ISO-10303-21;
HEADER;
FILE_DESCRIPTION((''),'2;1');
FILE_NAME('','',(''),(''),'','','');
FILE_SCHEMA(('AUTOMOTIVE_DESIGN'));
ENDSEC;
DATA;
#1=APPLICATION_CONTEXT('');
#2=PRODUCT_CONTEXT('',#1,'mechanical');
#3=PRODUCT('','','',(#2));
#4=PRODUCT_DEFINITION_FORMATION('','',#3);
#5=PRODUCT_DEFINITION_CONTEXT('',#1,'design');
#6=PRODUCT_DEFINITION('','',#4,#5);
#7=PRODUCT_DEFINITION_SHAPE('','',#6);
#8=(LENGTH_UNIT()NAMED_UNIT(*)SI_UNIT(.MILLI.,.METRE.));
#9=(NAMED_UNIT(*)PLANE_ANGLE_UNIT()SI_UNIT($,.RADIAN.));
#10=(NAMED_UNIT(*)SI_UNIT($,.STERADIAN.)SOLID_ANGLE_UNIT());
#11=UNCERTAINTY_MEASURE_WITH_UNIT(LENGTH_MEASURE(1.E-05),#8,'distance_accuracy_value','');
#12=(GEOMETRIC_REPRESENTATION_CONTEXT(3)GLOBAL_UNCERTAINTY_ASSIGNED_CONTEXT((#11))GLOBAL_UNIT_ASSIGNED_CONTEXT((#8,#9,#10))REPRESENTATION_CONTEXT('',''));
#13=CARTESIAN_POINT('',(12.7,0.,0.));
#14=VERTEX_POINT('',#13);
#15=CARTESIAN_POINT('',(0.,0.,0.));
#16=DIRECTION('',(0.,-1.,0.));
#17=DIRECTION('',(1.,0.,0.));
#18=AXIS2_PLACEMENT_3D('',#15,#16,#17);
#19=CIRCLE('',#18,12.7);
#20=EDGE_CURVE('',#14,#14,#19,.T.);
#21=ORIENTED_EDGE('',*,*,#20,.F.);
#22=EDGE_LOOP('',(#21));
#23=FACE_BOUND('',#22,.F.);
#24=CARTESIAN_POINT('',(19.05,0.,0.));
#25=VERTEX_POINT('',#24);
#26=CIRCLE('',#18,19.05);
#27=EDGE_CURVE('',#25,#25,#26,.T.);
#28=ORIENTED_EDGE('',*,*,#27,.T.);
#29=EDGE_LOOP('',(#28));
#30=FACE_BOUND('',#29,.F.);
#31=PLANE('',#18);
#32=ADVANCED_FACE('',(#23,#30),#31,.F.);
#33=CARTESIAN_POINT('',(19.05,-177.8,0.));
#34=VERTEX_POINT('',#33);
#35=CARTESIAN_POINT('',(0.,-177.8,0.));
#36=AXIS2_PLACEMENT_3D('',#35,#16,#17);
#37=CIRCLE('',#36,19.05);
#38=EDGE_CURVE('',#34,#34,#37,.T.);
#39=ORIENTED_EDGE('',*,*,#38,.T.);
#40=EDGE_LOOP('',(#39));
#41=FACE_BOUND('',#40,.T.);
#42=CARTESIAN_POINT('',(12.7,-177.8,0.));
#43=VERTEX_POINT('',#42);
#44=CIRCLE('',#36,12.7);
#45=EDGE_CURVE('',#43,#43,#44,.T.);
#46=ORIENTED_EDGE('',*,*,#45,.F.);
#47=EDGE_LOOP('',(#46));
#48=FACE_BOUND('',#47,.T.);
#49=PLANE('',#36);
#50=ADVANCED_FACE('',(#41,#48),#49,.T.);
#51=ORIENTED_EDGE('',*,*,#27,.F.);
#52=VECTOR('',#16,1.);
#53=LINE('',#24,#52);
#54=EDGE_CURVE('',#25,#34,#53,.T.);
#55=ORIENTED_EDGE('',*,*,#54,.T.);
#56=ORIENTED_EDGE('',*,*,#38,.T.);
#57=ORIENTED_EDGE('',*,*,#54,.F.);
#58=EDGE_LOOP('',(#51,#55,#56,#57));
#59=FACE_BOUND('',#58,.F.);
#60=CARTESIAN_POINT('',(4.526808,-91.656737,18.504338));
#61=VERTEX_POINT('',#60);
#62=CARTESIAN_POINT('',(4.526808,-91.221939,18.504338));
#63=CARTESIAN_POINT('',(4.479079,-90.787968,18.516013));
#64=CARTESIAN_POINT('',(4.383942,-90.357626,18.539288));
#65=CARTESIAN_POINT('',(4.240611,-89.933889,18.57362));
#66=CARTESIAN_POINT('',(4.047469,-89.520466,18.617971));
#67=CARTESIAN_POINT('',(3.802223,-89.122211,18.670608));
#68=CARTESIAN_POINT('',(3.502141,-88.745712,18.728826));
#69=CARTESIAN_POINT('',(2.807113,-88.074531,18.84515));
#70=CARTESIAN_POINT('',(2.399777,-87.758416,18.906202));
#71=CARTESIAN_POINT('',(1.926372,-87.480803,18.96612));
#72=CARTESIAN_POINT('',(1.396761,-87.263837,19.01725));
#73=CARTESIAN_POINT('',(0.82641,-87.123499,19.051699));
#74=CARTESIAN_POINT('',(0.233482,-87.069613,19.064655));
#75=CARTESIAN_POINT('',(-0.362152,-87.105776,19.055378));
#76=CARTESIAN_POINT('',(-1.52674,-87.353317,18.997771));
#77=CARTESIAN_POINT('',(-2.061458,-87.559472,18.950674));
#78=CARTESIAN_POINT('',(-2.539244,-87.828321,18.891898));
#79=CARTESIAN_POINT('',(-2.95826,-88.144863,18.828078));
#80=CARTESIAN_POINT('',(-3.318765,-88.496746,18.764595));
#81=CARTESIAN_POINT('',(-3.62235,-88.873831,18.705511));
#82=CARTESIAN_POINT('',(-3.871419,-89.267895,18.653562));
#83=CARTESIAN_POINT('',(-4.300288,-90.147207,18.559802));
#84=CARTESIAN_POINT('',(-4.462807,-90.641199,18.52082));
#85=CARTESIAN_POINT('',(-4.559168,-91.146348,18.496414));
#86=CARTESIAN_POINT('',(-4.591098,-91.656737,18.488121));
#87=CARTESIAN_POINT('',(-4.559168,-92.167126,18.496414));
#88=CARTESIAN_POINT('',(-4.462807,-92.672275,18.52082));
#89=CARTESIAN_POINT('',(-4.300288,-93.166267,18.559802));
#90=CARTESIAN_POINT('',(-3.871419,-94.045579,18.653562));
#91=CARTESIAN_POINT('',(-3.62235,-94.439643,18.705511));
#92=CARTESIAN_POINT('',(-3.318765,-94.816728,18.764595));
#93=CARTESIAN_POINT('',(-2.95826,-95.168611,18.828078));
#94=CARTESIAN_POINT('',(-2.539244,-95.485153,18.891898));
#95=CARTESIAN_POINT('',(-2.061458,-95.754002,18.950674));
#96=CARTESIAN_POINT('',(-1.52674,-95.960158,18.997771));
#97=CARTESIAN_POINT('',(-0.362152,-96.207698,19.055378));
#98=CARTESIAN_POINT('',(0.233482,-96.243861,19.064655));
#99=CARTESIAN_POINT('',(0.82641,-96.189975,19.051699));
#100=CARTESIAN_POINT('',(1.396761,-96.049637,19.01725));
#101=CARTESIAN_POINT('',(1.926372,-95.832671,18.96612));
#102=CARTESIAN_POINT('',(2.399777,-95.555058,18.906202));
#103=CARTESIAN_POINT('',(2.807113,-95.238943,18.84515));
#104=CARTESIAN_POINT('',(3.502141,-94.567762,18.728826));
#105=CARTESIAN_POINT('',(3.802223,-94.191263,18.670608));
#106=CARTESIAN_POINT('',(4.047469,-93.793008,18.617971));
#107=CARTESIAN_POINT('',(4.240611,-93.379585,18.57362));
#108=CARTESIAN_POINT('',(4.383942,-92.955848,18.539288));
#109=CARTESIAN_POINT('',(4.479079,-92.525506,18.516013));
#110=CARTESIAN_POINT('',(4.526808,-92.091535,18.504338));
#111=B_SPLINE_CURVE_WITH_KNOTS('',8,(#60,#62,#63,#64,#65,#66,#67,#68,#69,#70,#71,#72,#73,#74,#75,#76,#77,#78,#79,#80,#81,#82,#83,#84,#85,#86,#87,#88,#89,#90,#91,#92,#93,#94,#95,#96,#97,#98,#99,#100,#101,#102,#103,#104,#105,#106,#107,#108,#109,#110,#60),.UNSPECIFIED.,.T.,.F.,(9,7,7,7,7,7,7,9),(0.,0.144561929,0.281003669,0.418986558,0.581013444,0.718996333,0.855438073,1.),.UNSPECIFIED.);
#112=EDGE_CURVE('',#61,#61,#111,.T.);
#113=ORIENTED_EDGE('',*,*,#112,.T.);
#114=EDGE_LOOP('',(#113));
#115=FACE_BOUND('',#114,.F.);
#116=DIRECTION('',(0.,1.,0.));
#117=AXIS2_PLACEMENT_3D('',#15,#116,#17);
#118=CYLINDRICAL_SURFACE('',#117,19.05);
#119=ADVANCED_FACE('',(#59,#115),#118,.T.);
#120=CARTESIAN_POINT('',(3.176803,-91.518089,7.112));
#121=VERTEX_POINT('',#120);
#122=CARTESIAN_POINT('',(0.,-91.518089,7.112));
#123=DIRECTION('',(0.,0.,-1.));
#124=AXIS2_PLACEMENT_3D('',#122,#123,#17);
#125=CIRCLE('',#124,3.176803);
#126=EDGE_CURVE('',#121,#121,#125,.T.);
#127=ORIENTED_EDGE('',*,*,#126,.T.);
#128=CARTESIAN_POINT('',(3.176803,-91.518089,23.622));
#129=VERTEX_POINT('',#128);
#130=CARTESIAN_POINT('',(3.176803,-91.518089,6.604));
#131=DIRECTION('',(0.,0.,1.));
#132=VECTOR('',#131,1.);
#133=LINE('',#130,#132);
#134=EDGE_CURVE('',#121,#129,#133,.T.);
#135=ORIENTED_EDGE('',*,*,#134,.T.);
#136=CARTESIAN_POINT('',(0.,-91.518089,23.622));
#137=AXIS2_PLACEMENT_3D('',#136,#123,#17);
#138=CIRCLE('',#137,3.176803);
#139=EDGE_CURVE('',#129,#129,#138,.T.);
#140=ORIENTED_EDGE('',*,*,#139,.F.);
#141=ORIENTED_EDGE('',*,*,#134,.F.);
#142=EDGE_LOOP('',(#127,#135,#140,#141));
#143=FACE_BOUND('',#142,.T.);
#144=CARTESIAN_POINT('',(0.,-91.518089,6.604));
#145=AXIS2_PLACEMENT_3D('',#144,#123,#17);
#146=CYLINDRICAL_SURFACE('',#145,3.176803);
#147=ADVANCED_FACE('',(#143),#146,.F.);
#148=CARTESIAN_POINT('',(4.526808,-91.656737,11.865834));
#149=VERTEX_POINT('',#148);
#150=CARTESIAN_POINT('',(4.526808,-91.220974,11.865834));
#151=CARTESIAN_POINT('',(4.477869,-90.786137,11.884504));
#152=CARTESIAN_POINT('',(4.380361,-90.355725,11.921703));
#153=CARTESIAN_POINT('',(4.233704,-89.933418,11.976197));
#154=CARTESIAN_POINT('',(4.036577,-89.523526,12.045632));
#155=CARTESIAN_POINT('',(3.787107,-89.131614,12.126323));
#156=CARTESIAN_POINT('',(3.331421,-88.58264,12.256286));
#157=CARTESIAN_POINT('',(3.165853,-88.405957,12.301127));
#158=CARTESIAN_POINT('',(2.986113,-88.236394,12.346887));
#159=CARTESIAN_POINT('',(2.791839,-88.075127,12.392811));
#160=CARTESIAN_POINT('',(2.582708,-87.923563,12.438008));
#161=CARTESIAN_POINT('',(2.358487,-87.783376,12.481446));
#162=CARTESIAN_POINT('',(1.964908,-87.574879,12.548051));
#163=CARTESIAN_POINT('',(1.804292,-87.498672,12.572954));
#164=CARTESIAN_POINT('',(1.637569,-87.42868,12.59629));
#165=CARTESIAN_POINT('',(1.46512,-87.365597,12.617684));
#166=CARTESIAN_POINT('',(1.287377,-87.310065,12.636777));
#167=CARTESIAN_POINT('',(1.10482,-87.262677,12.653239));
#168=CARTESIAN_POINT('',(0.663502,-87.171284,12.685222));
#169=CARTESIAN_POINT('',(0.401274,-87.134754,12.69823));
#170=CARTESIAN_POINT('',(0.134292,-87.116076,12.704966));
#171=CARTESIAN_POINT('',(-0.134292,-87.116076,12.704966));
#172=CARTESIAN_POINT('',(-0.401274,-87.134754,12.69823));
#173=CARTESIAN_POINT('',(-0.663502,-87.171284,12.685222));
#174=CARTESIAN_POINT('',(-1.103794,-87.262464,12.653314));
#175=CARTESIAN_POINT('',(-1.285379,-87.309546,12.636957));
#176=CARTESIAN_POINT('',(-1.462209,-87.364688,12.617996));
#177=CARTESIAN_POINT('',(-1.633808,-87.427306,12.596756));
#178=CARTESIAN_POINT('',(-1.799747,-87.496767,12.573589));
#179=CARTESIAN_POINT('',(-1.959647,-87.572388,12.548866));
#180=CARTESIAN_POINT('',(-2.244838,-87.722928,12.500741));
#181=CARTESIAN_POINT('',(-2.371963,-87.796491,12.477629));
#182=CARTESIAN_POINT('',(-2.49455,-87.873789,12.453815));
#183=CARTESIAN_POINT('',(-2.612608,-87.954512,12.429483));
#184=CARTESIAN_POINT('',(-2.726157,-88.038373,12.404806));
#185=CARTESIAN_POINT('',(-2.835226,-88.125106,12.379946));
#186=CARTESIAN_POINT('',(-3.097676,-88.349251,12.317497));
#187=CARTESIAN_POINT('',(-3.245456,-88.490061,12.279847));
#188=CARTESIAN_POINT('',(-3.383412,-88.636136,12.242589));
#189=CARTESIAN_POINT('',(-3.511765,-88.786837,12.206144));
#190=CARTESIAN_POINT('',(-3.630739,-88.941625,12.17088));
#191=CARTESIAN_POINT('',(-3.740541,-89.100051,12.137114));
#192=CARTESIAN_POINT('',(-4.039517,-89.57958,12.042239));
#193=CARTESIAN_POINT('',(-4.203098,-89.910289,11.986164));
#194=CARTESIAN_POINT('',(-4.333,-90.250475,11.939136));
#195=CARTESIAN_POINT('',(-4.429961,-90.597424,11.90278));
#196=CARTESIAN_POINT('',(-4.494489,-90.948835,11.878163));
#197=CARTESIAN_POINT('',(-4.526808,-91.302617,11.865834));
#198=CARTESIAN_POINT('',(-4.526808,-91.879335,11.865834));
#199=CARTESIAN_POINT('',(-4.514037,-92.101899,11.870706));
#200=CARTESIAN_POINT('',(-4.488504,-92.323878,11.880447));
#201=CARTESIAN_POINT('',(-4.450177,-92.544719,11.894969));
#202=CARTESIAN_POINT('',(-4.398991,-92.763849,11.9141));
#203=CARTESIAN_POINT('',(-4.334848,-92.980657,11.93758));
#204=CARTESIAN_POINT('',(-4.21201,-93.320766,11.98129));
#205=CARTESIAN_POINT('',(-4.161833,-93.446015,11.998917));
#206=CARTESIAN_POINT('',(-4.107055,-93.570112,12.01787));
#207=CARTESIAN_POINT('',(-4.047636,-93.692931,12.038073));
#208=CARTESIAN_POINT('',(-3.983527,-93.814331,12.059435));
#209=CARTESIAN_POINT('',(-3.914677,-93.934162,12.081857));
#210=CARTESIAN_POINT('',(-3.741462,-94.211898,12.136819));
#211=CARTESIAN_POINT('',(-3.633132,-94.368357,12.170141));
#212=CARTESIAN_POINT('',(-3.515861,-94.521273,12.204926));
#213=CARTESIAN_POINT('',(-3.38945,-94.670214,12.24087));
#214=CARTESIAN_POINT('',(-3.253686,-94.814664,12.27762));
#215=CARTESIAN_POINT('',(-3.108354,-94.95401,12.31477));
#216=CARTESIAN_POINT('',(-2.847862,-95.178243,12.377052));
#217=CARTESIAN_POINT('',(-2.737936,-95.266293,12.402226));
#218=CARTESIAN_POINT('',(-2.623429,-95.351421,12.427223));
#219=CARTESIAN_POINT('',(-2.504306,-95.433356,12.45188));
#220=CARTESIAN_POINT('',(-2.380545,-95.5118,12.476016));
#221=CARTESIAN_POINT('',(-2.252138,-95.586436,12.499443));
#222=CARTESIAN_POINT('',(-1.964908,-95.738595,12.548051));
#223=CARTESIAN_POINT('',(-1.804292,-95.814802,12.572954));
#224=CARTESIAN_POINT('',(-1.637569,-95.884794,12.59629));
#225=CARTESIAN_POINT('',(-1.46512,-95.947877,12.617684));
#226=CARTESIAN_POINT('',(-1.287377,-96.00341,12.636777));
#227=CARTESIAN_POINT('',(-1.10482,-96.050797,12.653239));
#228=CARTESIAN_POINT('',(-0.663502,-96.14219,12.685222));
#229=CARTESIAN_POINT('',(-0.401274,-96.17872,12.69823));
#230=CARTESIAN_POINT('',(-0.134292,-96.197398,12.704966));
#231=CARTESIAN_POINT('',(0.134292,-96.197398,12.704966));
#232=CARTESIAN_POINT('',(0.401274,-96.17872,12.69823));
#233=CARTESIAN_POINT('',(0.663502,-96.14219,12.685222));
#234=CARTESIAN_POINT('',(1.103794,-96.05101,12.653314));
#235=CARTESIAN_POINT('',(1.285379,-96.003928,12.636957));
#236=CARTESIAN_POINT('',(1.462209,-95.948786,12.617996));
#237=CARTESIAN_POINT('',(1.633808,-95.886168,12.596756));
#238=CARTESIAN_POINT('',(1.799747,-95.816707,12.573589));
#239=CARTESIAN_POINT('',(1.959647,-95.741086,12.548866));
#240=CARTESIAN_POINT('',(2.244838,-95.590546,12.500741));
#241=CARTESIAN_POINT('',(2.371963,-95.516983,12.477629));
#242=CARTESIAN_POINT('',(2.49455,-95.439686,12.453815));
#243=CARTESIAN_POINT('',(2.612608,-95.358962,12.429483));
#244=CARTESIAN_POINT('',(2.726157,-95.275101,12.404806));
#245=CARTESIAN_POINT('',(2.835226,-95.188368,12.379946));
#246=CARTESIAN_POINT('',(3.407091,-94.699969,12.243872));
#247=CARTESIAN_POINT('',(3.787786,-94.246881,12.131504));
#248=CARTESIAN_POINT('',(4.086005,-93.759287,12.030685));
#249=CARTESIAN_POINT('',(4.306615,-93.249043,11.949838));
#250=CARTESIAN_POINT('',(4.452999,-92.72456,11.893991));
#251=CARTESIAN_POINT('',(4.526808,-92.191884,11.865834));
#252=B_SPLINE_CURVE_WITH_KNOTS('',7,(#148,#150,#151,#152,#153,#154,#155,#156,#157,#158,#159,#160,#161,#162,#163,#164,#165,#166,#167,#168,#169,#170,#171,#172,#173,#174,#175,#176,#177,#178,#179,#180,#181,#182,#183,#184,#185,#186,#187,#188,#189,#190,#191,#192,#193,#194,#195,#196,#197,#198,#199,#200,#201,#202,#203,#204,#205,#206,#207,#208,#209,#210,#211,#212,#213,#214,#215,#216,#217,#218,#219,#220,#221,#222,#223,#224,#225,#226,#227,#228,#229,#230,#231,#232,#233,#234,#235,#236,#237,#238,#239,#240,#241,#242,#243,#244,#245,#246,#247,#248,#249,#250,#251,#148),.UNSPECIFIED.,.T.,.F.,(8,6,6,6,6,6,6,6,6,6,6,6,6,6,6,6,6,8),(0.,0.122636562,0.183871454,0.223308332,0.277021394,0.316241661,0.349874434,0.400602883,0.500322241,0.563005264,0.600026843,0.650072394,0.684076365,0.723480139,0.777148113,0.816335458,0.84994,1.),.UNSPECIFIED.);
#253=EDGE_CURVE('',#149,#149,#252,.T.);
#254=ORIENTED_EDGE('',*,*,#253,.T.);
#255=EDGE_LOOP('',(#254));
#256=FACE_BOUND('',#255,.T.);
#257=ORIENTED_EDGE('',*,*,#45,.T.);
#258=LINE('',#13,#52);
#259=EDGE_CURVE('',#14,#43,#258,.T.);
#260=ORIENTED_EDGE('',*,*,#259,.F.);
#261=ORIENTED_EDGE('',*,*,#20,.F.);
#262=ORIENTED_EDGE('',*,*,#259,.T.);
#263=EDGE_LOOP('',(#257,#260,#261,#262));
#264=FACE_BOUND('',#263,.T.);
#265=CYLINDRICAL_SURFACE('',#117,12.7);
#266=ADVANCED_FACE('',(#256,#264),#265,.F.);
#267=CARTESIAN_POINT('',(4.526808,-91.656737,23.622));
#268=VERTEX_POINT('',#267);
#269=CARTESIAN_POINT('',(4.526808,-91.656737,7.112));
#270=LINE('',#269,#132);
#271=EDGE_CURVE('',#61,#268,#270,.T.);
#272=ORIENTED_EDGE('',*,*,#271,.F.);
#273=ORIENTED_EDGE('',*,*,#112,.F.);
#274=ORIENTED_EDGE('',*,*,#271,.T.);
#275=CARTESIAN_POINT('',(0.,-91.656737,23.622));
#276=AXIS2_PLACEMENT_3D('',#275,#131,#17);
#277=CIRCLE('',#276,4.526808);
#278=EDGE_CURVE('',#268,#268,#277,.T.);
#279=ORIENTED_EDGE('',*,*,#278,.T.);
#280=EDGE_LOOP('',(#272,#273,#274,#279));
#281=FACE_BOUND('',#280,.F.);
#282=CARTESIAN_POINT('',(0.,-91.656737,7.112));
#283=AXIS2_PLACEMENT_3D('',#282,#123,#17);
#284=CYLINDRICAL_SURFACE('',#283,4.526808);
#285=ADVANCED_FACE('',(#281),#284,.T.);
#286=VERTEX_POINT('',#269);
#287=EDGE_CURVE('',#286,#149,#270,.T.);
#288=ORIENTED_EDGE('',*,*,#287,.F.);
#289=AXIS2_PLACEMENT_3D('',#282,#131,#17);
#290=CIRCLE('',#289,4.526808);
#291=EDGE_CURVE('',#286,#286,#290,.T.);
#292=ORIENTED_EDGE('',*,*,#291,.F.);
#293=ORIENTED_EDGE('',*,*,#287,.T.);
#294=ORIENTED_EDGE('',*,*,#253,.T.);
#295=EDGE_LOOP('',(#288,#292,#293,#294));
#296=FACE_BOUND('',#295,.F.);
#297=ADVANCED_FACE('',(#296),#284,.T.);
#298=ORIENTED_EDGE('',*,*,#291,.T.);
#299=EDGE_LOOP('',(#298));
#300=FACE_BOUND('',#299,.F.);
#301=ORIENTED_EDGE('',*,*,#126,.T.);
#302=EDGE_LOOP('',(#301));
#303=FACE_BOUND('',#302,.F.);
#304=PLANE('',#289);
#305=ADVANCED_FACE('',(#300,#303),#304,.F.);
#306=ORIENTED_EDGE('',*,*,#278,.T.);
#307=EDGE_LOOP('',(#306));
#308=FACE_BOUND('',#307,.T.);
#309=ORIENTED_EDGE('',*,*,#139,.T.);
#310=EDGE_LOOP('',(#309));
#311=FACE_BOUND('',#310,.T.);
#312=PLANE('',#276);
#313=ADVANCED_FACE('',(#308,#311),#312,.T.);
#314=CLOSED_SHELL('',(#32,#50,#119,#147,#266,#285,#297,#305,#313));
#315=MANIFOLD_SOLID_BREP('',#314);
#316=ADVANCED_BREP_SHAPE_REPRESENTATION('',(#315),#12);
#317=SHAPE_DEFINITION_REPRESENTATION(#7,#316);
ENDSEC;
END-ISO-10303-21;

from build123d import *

# Parameters (mm, degrees)
F0_R     = 19.05
F1_DEPTH = 177.8
F2_R     = 12.7
F3_DEPTH = 177.8
F5_START = 7.112
F4_R     = 4.5268076309
F5_DEPTH = 16.51
F7_START = 6.604
F6_R     = 3.1768025879
F7_DEPTH = 17.78


with BuildPart() as f1:
    # F0 (on Front) → F1 (new body)
    with BuildSketch(Plane.XZ):
        Circle(F0_R)
    extrude(amount=F1_DEPTH)

    # F2 (on Front) → F3 (cut)
    with BuildSketch(Plane.XZ):
        Circle(F2_R)
    extrude(amount=F3_DEPTH, mode=Mode.SUBTRACT)

    # F4 (on Top) → F5 (join)
    with BuildSketch(Plane.XY.offset(F5_START)):
        with Locations((0, -91.6567370296)):
            Circle(F4_R)
    extrude(amount=F5_DEPTH)

    # F6 (on Top) → F7 (cut)
    with BuildSketch(Plane.XY.offset(F7_START)):
        with Locations((0, -91.5180891752)):
            Circle(F6_R)
    extrude(amount=F7_DEPTH, mode=Mode.SUBTRACT)


solid = f1.part
